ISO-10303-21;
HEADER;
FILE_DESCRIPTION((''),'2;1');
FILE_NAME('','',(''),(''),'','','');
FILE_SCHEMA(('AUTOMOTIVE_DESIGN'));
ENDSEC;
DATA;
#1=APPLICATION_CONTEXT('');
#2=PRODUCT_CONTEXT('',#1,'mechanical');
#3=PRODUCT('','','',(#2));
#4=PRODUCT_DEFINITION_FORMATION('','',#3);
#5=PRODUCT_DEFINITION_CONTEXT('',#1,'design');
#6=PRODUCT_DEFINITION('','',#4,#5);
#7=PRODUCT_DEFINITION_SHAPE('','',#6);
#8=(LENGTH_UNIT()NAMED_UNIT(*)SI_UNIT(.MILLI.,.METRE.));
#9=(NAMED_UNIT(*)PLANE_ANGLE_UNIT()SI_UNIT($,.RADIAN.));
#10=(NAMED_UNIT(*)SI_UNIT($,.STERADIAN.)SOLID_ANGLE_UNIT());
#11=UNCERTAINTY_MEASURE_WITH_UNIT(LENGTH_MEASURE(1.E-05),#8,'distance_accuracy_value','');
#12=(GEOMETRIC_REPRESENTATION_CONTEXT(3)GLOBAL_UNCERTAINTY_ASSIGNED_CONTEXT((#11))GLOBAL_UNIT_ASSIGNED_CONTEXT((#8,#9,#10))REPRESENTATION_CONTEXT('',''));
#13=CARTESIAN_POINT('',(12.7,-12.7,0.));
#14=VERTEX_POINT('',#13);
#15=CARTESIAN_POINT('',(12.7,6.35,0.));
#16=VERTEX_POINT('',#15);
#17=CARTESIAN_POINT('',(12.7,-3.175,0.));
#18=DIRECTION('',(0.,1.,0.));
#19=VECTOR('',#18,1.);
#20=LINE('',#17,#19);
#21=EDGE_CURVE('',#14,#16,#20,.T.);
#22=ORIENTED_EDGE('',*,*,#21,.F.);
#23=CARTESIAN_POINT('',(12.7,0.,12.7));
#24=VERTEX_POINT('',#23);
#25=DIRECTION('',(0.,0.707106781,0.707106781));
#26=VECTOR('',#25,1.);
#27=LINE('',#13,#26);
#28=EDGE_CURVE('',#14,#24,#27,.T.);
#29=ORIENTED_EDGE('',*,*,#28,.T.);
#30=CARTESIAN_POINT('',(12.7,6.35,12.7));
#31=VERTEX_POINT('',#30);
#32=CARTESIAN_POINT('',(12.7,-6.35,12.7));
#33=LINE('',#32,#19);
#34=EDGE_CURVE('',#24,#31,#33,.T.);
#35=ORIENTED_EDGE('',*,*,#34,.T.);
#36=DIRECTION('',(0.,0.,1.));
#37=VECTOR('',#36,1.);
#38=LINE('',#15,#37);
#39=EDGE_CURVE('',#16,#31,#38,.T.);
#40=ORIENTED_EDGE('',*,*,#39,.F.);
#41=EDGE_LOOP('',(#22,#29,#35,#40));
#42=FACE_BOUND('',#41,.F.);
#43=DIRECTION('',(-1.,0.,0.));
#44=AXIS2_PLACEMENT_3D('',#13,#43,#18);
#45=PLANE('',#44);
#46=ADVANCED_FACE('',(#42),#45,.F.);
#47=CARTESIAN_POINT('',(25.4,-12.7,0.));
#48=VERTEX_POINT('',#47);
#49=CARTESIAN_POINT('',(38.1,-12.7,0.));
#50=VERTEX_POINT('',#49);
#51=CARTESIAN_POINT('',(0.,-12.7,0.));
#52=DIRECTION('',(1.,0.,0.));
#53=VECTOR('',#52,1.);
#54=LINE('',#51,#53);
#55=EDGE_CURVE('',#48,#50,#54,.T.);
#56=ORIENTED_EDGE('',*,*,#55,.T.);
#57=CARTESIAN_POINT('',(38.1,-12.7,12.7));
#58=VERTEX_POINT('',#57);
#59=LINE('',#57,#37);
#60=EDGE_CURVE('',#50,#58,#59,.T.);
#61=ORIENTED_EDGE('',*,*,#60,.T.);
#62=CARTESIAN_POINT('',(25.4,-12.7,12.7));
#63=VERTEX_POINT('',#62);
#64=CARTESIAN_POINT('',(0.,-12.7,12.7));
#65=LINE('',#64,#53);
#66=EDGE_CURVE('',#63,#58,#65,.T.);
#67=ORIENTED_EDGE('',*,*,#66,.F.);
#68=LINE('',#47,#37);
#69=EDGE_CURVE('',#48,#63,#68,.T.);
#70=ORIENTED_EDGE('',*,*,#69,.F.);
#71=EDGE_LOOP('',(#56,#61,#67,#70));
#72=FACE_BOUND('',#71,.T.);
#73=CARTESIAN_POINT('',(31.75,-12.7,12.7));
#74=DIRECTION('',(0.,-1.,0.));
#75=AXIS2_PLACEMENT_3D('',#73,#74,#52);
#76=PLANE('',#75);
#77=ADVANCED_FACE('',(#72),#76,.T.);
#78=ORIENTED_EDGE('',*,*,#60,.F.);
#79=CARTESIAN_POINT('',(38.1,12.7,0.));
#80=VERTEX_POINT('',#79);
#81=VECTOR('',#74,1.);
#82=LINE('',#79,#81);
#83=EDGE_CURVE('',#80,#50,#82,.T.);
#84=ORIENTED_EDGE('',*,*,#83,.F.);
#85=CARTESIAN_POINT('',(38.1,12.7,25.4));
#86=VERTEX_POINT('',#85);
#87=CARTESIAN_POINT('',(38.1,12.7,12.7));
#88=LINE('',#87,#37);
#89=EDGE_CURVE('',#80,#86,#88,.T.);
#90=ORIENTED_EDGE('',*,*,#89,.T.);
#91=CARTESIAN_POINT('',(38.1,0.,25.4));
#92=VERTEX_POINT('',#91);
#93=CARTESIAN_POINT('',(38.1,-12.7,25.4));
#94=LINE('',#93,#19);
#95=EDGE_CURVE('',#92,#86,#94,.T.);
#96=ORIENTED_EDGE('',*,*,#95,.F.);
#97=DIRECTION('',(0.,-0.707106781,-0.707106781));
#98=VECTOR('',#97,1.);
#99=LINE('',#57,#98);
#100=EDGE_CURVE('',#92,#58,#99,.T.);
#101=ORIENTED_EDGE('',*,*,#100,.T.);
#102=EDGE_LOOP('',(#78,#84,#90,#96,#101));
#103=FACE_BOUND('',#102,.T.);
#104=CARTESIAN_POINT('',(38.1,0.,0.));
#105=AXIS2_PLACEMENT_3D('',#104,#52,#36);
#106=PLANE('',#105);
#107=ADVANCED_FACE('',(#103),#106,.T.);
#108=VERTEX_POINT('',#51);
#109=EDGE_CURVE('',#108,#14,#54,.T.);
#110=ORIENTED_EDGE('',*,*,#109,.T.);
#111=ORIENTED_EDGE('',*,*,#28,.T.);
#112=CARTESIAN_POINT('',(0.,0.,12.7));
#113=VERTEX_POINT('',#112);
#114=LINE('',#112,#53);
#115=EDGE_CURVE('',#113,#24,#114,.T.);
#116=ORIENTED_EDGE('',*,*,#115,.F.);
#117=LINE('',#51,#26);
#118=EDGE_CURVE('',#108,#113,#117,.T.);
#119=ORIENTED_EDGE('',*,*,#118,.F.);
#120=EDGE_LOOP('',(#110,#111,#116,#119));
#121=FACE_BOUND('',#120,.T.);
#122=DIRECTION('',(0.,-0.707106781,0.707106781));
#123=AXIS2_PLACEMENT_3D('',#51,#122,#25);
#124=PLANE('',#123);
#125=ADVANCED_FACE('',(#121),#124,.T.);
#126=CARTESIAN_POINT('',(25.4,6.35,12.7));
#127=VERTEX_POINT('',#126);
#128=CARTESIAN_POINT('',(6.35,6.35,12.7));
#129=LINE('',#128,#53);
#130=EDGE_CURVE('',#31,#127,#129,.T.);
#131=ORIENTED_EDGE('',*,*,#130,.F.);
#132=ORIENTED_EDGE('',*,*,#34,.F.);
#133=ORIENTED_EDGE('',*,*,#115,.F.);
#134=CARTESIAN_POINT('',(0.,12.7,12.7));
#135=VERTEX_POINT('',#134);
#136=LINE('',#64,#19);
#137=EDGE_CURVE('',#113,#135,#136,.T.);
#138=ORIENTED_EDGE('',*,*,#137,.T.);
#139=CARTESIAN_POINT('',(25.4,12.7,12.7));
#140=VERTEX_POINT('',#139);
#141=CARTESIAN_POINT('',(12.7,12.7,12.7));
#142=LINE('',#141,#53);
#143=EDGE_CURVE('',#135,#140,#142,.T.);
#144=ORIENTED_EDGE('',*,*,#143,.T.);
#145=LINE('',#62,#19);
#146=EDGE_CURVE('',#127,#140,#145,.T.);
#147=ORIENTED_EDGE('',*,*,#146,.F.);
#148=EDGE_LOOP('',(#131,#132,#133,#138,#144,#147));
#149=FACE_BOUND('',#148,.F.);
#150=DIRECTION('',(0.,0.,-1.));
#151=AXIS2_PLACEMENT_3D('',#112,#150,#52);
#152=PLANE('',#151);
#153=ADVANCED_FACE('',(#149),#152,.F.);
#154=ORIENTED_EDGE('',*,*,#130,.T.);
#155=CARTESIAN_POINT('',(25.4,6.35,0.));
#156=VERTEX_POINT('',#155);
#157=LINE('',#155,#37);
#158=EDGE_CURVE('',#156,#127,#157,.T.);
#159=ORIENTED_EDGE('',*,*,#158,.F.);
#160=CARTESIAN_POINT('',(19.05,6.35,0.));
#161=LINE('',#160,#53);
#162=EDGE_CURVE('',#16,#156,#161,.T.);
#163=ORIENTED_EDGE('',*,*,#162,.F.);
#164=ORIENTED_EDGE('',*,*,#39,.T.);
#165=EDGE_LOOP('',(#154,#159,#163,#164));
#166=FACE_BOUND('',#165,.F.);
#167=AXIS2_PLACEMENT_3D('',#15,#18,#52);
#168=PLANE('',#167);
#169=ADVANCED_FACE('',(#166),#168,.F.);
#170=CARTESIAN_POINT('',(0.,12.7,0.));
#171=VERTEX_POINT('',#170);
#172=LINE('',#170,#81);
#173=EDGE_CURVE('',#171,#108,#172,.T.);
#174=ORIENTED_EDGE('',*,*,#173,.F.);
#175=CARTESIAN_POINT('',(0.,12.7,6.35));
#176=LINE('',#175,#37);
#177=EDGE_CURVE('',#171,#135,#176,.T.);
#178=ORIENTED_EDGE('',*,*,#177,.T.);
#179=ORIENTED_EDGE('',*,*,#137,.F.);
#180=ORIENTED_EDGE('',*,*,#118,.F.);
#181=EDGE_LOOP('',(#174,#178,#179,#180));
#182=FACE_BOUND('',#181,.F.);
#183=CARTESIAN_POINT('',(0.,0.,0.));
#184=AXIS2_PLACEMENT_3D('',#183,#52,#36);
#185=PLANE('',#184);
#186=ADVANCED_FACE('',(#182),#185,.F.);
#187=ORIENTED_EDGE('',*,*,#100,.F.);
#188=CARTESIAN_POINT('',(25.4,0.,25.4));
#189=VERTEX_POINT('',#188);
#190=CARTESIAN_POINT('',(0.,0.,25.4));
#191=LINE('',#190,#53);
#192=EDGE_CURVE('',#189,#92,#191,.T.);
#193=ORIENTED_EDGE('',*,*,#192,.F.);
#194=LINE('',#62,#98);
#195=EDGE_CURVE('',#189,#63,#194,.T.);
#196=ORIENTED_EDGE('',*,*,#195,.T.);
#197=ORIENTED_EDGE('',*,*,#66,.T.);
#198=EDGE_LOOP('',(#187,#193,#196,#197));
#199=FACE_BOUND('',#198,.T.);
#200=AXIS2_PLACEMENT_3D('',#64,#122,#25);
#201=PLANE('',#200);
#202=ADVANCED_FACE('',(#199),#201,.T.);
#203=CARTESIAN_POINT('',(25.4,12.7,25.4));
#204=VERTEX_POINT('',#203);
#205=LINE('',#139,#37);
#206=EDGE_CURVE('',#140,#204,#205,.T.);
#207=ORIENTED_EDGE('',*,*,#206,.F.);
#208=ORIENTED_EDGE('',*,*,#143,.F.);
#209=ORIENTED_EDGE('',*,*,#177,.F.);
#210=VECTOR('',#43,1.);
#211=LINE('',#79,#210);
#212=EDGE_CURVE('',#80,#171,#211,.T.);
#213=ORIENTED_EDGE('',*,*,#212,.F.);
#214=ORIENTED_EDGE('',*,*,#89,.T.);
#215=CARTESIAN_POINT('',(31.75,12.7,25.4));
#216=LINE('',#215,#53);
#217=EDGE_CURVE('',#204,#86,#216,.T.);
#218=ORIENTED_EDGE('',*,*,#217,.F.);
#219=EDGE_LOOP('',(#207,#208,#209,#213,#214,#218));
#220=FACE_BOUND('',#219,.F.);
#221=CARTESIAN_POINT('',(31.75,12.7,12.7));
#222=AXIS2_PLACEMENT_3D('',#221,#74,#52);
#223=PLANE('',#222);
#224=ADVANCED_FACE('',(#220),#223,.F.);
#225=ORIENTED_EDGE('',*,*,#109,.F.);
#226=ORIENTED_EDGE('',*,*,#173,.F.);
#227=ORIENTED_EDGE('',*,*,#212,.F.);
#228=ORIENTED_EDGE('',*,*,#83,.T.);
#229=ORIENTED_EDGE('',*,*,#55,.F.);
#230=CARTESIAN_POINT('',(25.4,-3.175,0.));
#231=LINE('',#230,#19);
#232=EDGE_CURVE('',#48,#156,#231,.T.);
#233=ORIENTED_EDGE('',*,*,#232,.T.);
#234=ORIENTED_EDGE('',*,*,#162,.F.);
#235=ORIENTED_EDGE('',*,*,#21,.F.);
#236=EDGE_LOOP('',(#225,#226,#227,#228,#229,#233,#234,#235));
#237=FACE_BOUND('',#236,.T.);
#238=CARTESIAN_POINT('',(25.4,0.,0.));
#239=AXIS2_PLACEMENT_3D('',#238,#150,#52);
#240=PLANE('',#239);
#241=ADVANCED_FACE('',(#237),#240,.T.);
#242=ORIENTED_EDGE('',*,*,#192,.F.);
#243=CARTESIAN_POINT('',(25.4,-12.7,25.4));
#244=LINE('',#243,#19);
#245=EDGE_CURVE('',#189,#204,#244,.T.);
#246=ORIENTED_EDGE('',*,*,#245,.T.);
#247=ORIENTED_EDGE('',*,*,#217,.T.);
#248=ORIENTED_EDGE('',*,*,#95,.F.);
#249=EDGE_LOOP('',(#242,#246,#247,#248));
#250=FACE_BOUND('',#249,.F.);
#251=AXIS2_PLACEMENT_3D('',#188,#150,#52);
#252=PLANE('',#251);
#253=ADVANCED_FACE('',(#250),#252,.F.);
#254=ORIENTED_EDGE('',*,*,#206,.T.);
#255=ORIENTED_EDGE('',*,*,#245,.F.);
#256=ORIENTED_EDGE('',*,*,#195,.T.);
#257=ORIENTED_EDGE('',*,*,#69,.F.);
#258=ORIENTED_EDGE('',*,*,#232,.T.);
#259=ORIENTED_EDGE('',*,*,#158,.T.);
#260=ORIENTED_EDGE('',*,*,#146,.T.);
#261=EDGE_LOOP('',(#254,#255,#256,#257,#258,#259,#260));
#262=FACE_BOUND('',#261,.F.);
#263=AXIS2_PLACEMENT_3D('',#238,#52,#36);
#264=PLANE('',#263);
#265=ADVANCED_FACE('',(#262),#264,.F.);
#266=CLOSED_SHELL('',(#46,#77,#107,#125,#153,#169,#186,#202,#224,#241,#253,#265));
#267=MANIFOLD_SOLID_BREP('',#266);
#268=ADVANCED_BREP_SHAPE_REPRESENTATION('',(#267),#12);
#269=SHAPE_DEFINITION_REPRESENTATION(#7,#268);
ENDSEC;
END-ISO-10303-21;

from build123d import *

# Parameters (mm, degrees)
F0_W     = 25.4
F0_H     = 12.7
F1_DEPTH = 12.7
F2_W     = 12.7
F2_H     = 25.4
F3_DEPTH = 12.7
F5_DEPTH = 12.7
F6_W     = 12.7
F6_H     = 19.05
F7_DEPTH = 25.4
F9_DEPTH = 40.65572


with BuildPart() as f1:
    # F0 (on Front) → F1 (new body, symmetric)
    with BuildSketch(Plane.XZ):
        with Locations((12.7, 6.35)):
            Rectangle(F0_W, F0_H)
    extrude(amount=F1_DEPTH, both=True)

    # F2 (on Front) → F3 (join, symmetric)
    with BuildSketch(Plane.XZ):
        with Locations((31.75, 12.7)):
            Rectangle(F2_W, F2_H)
    extrude(amount=F3_DEPTH, both=True)

    # F4 (on Right) → F5 (cut)
    with BuildSketch(Plane.YZ):
        Polygon((-12.7, 0), (0, 12.7), (-12.7, 12.7), align=None)
    extrude(amount=F5_DEPTH, mode=Mode.SUBTRACT)

    # F6 (on Top) → F7 (cut)
    with BuildSketch(Plane.XY):
        with Locations((19.05, -3.175)):
            Rectangle(F6_W, F6_H)
    extrude(amount=F7_DEPTH, mode=Mode.SUBTRACT)

    # F8 (on Right) → F9 (cut)
    with BuildSketch(Plane.YZ):
        Polygon((-12.7, 12.7), (0, 25.4), (-12.7, 25.4), align=None)
    extrude(amount=F9_DEPTH, mode=Mode.SUBTRACT)


solid = f1.part
